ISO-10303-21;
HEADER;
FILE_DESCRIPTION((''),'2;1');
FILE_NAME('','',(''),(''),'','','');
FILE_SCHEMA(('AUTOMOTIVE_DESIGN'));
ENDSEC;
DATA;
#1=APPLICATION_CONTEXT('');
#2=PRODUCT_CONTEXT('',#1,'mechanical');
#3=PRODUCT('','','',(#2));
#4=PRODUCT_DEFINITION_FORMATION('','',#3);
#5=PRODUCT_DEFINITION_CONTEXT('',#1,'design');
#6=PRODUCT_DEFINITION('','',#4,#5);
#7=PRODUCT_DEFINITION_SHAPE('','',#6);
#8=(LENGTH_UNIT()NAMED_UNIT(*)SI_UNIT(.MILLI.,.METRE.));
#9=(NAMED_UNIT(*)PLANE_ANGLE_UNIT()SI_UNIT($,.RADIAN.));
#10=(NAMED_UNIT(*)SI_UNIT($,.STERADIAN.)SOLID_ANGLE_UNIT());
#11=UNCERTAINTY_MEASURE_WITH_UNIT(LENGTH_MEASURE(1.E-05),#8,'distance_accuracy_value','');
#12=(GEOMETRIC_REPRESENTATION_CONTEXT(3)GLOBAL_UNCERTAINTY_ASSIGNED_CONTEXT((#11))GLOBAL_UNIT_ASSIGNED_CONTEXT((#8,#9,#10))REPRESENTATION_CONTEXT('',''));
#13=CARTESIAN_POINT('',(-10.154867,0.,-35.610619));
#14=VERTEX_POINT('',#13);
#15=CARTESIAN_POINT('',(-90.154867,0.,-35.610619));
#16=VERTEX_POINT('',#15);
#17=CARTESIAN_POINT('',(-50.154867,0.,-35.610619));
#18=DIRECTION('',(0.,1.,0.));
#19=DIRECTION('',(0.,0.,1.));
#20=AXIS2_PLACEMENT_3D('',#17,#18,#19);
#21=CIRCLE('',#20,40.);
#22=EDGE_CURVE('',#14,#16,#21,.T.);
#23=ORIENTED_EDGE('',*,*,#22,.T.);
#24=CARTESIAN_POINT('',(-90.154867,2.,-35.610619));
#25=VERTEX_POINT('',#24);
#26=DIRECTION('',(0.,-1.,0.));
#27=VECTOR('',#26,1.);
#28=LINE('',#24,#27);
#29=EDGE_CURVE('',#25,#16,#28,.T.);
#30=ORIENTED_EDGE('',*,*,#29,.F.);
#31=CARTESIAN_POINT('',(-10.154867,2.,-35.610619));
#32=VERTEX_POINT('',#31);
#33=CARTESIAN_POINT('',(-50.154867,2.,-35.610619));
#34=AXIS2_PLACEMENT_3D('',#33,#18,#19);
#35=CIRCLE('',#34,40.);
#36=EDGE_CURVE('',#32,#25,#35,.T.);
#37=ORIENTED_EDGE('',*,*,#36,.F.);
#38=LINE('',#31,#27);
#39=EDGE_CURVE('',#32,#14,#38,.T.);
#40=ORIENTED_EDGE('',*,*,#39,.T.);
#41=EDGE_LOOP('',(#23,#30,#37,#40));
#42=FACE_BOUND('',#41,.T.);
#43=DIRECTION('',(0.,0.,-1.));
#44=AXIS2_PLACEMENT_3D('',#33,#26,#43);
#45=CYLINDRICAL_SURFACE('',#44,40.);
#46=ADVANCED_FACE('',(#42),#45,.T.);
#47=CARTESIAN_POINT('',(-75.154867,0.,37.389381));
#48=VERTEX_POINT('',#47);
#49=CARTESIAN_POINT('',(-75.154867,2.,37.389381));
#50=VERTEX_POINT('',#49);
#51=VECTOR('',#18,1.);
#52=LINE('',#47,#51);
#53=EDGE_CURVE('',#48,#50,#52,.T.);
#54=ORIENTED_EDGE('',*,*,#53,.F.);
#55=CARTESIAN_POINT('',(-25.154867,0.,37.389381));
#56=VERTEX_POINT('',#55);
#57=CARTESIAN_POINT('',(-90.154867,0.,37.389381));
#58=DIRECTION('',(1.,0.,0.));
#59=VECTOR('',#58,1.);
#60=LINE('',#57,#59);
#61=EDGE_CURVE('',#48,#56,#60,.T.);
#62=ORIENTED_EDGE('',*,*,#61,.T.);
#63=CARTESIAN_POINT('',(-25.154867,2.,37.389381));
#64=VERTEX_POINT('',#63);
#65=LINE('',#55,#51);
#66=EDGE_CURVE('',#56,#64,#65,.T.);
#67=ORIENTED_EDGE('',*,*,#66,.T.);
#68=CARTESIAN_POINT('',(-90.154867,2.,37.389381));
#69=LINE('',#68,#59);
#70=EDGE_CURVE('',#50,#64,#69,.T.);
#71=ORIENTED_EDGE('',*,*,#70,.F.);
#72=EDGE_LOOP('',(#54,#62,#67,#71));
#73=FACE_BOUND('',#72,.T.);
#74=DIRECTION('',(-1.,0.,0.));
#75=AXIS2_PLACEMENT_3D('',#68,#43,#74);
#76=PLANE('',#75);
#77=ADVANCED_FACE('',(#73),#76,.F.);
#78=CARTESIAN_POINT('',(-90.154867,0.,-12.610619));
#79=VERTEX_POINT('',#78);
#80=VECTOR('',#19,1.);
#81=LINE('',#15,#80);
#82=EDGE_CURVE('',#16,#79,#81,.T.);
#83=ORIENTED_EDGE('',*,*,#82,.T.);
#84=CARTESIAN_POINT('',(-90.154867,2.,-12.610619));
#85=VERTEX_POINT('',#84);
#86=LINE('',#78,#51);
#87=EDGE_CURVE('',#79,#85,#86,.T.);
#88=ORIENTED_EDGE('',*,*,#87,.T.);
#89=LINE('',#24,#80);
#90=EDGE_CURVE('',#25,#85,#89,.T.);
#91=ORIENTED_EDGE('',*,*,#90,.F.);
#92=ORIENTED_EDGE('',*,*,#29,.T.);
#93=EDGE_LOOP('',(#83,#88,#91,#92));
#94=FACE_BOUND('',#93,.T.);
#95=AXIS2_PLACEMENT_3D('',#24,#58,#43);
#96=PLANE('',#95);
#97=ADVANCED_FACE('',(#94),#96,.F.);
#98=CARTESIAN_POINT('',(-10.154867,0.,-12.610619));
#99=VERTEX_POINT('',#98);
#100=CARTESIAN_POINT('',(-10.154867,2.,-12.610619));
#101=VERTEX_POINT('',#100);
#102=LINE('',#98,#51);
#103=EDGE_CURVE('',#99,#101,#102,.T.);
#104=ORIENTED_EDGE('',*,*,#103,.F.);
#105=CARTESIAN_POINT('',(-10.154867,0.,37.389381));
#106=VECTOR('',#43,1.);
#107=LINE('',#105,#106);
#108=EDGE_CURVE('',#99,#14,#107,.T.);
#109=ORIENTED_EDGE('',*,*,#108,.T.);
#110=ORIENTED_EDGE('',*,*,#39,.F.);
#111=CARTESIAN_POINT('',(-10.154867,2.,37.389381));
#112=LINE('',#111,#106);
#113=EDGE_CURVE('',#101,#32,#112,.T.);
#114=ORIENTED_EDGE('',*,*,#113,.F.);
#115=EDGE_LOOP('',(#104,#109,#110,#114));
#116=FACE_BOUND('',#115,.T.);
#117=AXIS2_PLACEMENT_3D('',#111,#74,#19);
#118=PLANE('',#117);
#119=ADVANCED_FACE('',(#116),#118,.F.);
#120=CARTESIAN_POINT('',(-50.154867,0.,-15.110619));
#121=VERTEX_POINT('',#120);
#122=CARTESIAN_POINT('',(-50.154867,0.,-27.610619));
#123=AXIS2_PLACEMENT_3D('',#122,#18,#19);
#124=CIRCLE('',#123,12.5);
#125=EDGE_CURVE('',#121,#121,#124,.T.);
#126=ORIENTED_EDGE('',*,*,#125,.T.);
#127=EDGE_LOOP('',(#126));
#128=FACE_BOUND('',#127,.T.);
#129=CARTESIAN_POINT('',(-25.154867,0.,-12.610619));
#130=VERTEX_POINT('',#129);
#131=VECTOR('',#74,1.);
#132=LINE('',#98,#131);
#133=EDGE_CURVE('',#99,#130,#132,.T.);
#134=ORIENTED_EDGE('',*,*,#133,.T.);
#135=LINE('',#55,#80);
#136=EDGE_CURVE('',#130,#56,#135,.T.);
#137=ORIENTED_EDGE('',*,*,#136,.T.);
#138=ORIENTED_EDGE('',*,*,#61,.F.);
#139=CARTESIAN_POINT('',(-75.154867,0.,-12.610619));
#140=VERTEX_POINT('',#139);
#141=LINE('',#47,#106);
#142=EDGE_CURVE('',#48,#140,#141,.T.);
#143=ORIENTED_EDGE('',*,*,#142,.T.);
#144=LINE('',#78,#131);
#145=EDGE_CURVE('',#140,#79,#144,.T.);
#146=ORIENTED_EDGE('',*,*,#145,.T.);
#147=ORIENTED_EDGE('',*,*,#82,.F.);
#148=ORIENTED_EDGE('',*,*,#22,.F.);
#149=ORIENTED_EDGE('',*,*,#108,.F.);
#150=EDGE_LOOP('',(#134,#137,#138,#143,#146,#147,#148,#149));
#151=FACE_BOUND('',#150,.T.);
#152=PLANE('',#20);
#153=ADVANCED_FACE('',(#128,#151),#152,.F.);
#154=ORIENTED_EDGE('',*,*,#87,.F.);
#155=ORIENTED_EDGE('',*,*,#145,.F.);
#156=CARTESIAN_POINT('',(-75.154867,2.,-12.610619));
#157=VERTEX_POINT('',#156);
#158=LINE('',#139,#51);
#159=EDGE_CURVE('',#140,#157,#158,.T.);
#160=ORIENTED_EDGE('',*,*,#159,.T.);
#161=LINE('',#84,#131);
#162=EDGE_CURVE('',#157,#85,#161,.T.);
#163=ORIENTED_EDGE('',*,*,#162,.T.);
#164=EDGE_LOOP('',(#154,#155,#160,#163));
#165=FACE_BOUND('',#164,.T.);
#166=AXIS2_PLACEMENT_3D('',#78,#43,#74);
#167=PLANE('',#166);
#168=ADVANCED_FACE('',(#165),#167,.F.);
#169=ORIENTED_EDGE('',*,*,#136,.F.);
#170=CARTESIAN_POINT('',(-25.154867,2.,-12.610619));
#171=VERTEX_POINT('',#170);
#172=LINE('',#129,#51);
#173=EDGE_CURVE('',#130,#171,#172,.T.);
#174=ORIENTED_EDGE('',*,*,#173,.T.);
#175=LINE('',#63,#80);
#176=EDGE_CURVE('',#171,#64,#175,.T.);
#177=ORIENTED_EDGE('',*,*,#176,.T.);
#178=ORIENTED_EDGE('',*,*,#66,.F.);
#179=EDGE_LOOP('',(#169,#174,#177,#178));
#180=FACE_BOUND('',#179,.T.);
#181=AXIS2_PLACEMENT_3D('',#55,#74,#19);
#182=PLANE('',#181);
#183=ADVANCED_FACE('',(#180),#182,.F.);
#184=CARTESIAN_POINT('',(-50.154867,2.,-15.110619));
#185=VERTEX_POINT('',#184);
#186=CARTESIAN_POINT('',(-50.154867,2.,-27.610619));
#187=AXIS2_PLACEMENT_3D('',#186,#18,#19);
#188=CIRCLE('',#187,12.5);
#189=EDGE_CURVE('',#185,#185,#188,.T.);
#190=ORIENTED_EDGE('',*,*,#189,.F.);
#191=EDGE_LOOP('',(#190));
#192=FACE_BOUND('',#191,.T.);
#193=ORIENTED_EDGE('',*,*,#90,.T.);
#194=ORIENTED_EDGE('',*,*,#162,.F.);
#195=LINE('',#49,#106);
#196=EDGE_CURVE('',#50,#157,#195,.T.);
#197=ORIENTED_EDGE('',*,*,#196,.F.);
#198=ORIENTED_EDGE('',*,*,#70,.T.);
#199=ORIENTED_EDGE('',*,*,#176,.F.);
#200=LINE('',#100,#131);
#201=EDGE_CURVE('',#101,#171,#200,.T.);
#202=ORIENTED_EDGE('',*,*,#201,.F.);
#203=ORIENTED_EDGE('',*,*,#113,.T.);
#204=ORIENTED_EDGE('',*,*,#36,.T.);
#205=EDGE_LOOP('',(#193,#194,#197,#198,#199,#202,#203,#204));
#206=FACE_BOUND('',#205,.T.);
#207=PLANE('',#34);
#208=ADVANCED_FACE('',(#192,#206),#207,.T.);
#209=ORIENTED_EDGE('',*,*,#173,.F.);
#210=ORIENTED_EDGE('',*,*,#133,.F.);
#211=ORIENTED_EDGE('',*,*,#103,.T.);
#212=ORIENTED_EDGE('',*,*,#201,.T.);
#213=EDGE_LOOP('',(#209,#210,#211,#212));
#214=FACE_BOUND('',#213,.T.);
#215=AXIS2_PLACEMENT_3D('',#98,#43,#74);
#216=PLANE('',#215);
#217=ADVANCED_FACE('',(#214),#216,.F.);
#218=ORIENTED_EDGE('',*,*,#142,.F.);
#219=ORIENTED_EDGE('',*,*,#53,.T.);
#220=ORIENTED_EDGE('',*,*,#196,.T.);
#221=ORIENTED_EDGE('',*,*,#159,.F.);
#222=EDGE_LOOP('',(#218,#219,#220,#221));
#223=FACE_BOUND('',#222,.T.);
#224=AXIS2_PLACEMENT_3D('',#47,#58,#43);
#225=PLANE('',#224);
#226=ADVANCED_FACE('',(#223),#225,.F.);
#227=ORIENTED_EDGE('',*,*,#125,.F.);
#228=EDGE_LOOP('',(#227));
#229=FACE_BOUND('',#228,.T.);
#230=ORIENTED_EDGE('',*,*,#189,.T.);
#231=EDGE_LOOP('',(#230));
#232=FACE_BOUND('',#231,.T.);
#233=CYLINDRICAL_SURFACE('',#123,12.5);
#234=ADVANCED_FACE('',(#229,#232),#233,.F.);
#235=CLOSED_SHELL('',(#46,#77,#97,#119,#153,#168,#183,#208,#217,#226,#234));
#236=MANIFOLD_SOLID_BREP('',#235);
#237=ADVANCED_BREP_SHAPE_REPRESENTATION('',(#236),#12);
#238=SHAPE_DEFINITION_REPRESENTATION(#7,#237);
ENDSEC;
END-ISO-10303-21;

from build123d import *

# Parameters (mm, degrees)
BOSS_EXTRUDE1_DEPTH = 2
SKETCH2_R           = 12.5
SKETCH2_W           = 15
SKETCH2_H           = 50
CUT_EXTRUDE1_DEPTH  = 2


with BuildPart() as part:
    # Sketch1 → Boss-Extrude1 (new body)
    with BuildSketch(Plane(origin=(0, 0, 0), x_dir=(1, 0, 0), z_dir=(0, 1, 0))):
        with BuildLine():
            Line((-90.154867257, 35.610619469), (-90.154867257, -37.389380531))
            Line((-90.154867257, -37.389380531), (-10.154867257, -37.389380531))
            Line((-10.154867257, -37.389380531), (-10.154867257, 35.610619469))
            ThreePointArc((-10.154867257, 35.610619469), (-50.154867257, 75.610619469), (-90.154867257, 35.610619469))
        make_face()
    extrude(amount=BOSS_EXTRUDE1_DEPTH)

    # Sketch2 → Cut-Extrude1 (cut)
    with BuildSketch(Plane(origin=(0, 2, 0), x_dir=(1, 0, 0), z_dir=(0, 1, 0))):
        with Locations(Location((-50.154867257, 27.610619469, 0), (0, 0, 270))):
            Circle(SKETCH2_R)
        with Locations((-82.654867257, -12.389380531)):
            Rectangle(SKETCH2_W, SKETCH2_H)
        with Locations((-17.654867257, -12.389380531)):
            Rectangle(SKETCH2_W, SKETCH2_H)
    extrude(amount=-CUT_EXTRUDE1_DEPTH, mode=Mode.SUBTRACT)


solid = part.part
